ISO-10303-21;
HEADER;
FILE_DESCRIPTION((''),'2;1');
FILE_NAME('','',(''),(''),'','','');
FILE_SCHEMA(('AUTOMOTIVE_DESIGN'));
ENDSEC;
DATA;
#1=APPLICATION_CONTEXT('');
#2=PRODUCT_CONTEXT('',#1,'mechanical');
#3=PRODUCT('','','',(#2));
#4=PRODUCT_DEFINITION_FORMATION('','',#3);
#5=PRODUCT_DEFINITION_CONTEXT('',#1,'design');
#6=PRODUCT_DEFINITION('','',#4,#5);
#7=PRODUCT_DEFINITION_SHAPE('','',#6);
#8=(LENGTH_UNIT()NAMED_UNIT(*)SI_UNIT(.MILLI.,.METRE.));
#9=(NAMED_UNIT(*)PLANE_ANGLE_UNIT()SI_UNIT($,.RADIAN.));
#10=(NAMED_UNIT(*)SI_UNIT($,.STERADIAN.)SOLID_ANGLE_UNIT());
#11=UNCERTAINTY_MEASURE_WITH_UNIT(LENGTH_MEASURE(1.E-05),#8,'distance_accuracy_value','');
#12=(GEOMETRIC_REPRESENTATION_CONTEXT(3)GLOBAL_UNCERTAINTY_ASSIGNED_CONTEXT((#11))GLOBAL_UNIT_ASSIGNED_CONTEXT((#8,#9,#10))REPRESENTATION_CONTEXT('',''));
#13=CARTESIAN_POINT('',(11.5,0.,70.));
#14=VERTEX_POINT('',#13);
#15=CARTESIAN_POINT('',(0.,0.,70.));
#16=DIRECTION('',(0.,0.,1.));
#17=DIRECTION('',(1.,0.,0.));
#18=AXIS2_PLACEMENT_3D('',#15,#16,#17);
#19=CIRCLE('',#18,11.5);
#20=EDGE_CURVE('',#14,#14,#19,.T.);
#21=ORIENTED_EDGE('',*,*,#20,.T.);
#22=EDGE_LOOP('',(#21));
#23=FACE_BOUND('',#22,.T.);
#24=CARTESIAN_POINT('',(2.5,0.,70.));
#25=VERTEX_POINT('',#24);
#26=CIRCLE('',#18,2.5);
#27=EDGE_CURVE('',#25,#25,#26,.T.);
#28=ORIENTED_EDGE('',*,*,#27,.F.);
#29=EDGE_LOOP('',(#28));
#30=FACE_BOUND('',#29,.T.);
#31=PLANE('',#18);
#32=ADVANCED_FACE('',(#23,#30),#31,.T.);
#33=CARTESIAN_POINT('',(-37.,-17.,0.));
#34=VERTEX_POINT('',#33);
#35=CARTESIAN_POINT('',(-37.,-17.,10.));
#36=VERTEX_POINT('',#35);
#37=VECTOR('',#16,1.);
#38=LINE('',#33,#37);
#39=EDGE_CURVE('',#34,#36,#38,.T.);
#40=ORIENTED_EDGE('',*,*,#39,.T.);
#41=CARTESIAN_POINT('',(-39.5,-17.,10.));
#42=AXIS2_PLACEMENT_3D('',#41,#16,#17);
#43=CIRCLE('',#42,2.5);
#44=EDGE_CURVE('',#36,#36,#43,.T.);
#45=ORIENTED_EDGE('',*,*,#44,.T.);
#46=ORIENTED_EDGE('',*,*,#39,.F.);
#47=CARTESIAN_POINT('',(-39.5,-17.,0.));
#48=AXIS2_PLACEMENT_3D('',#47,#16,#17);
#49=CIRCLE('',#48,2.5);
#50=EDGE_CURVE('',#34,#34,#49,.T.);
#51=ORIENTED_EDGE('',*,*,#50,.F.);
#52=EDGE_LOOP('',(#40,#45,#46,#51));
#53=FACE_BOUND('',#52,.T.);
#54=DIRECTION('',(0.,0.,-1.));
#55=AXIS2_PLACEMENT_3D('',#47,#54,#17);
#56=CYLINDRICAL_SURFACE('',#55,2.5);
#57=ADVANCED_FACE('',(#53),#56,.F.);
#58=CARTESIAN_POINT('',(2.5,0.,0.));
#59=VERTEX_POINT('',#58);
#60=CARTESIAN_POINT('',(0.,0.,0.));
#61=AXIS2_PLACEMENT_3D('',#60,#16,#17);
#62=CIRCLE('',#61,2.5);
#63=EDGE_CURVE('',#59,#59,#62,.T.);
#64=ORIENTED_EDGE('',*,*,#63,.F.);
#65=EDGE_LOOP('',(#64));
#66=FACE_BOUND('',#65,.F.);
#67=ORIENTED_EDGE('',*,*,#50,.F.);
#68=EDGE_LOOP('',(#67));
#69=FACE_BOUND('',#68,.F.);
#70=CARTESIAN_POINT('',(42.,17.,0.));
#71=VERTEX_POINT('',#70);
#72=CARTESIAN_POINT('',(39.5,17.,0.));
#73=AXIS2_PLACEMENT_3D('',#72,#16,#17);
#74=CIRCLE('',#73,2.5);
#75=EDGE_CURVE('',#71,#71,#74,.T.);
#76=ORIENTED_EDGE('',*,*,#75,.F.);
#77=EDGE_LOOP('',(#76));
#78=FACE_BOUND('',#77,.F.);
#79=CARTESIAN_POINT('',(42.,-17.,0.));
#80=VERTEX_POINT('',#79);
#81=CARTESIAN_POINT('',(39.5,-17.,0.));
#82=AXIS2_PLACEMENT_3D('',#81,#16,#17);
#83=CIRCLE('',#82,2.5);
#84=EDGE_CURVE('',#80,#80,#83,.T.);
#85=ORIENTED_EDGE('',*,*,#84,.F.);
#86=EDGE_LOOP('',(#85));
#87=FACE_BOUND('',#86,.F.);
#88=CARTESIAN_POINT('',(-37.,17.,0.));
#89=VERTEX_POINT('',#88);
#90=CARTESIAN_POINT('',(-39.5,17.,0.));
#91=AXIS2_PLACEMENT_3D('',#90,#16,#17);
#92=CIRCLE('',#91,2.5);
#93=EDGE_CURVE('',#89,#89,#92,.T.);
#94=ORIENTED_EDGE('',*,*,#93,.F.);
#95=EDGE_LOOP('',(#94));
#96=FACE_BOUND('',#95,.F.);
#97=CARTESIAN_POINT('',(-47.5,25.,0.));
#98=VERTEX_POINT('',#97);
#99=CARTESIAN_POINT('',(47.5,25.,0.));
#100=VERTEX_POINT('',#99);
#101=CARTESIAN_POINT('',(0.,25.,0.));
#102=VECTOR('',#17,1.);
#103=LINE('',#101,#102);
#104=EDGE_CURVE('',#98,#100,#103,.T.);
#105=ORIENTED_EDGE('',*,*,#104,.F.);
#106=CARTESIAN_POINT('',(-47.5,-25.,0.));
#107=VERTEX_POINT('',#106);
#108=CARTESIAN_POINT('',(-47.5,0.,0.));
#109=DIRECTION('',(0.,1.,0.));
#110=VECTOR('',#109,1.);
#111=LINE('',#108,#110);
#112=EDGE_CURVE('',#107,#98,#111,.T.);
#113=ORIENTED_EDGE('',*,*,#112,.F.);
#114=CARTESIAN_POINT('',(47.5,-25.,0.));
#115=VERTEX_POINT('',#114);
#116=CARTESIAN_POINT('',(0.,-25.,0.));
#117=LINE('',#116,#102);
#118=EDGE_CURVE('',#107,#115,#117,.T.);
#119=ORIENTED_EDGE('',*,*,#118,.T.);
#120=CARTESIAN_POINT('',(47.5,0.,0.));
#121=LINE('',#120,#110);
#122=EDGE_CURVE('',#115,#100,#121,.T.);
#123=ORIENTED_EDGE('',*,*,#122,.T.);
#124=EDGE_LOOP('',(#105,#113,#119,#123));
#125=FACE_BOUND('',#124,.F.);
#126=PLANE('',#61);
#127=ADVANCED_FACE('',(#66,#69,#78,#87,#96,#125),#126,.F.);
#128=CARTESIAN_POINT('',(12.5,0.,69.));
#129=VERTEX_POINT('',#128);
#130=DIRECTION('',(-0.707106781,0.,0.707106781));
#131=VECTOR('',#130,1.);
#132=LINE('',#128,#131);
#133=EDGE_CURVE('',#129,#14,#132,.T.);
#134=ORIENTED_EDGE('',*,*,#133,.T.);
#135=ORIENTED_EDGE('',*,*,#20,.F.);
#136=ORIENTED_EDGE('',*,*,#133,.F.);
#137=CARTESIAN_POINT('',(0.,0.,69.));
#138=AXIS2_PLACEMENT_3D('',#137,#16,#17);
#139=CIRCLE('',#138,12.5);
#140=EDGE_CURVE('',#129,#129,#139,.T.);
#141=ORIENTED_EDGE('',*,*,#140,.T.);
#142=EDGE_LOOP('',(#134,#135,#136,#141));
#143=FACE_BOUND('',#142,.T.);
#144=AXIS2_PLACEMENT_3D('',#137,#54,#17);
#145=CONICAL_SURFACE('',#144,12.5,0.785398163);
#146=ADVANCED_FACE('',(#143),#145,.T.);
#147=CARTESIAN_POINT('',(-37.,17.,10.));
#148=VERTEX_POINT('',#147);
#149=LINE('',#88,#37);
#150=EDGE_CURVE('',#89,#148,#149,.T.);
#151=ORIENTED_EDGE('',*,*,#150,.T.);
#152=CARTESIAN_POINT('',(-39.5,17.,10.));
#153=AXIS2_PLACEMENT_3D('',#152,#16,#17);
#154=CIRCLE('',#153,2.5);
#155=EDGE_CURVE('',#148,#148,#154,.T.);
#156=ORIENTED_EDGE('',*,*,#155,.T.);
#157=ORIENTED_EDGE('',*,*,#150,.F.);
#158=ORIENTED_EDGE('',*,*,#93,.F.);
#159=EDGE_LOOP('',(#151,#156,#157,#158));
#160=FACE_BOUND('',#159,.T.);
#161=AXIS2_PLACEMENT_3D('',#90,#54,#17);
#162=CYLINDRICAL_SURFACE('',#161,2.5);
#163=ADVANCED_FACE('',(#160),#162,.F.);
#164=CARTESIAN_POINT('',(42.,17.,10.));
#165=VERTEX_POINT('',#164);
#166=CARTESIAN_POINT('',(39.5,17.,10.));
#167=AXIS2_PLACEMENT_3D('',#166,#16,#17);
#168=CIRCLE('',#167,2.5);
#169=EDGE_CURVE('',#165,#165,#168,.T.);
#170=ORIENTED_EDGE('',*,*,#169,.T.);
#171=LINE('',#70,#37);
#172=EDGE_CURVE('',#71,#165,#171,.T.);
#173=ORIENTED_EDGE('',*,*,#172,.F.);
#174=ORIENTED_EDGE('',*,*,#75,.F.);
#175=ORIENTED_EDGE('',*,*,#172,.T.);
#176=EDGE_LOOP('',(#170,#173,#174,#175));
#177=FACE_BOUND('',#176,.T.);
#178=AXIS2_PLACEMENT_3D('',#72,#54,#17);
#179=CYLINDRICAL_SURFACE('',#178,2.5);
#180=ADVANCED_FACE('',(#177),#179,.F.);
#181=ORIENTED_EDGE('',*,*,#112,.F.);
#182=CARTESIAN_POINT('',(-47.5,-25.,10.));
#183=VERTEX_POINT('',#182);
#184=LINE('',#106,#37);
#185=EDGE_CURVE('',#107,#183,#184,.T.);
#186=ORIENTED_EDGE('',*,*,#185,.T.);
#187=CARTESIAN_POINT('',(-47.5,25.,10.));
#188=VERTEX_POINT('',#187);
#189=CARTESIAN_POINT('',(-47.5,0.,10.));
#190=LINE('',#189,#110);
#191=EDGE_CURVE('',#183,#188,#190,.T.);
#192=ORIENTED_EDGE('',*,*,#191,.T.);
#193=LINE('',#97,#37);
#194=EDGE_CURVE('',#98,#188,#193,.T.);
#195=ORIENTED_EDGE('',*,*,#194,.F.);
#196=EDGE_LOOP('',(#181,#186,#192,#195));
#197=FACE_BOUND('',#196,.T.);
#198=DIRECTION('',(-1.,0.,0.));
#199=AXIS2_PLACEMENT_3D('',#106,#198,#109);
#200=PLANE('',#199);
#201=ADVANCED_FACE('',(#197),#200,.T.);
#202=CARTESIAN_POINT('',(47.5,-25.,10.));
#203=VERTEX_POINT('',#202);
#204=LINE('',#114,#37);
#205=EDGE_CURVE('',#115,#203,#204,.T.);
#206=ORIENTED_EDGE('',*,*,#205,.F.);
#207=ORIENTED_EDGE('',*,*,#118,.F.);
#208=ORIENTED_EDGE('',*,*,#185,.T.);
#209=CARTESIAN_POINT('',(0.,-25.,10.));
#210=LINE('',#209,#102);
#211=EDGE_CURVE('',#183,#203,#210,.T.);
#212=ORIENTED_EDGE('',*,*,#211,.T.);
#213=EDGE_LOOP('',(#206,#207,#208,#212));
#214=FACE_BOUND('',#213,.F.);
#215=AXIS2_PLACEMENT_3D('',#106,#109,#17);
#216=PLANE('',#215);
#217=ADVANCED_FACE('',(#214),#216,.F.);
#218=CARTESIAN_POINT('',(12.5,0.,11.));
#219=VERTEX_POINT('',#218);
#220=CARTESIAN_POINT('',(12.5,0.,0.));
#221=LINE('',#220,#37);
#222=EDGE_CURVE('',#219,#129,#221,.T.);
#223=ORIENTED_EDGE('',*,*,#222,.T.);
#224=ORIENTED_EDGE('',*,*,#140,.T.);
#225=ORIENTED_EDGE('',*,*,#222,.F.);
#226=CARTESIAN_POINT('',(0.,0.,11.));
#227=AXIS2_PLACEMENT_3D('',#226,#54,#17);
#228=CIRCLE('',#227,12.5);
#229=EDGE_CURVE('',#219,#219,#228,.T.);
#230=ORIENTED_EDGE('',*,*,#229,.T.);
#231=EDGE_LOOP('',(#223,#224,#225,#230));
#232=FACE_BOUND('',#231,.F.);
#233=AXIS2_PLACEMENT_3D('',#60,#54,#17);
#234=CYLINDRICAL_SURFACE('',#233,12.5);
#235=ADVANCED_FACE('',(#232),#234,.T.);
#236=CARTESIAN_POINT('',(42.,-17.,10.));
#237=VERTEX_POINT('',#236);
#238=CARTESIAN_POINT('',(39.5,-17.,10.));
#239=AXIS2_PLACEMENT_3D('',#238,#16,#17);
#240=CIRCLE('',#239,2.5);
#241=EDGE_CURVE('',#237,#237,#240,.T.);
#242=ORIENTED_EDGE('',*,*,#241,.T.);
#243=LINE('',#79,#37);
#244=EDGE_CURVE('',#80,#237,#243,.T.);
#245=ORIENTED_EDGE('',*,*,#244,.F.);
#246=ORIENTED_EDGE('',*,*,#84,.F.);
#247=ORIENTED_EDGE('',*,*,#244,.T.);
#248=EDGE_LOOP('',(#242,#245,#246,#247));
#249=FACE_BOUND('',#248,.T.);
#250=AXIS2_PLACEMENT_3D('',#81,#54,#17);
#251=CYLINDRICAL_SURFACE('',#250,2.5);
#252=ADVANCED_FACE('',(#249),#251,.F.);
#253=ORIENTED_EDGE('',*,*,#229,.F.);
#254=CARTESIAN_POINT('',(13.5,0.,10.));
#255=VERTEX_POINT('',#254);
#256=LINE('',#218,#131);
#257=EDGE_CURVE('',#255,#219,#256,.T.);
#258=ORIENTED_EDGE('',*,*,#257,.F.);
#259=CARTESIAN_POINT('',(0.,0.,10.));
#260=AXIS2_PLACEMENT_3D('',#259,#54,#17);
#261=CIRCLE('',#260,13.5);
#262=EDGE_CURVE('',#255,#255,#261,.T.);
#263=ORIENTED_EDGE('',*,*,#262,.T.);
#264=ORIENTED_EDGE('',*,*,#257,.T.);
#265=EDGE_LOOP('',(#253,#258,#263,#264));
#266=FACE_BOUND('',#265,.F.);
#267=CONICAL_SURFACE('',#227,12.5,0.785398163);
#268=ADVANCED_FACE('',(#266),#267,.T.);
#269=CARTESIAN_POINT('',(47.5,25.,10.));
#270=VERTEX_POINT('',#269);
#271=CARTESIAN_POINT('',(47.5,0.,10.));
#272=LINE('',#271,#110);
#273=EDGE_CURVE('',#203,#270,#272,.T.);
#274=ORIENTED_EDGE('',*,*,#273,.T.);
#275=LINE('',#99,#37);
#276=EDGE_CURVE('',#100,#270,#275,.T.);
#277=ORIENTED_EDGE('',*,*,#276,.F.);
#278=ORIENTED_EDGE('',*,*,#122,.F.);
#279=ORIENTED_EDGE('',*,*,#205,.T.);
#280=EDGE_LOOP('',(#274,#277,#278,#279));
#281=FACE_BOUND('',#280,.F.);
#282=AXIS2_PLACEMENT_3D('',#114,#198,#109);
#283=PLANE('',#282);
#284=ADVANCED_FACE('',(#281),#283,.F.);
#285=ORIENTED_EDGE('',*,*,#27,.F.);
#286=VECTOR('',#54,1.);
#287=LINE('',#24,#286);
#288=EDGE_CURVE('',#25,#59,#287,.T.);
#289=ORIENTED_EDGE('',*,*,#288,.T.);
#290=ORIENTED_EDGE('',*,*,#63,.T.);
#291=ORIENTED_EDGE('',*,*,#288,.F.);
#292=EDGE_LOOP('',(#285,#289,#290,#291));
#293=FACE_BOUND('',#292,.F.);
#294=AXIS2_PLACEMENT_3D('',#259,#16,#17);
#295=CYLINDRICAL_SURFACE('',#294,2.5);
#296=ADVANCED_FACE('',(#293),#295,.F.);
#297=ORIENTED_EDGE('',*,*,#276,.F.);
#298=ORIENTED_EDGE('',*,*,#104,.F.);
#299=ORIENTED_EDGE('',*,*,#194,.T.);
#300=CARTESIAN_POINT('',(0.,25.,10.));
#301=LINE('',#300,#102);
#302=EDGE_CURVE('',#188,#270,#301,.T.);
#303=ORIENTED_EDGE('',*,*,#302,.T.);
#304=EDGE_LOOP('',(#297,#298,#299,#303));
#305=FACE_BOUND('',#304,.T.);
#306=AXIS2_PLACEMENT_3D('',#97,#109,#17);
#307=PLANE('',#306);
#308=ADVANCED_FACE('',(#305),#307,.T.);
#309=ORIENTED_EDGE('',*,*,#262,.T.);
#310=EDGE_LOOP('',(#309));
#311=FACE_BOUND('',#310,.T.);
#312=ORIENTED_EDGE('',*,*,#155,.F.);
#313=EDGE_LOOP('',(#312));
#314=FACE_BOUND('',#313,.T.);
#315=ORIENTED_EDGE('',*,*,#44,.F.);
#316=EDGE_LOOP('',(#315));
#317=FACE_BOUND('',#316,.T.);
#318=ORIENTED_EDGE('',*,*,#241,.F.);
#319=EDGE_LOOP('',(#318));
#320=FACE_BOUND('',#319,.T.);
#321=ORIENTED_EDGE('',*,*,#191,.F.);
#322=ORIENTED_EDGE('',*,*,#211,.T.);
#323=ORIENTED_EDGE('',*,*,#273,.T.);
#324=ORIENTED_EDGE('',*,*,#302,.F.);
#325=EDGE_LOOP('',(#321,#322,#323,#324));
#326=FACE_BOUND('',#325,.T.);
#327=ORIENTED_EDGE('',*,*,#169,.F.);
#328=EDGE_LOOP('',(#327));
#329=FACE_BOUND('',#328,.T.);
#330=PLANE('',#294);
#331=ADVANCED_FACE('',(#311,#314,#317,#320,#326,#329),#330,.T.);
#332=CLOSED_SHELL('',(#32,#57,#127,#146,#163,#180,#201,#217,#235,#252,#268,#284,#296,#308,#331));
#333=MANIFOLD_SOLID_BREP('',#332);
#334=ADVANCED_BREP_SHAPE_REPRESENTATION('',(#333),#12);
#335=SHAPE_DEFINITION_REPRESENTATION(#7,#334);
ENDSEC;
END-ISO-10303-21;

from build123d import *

# Parameters (mm, degrees)
F0_W      = 95
F0_H      = 50
F0_R      = 2.5
F1_DEPTH  = 10
F2_R      = 12.5
F2_R_2    = 2.5
F3_DEPTH  = 70
F3_FACE_R = 2.5
F4_DEPTH  = 100
F5_SIZE   = 1


with BuildPart() as f1:
    # F0 (on Top) → F1 (new body)
    with BuildSketch(Plane.XY):
        Rectangle(F0_W, F0_H)
        with Locations((-39.5, -17)):
            Circle(F0_R, mode=Mode.SUBTRACT)
        with Locations((39.5, -17)):
            Circle(F0_R, mode=Mode.SUBTRACT)
        with Locations((-39.5, 17)):
            Circle(F0_R, mode=Mode.SUBTRACT)
        with Locations((39.5, 17)):
            Circle(F0_R, mode=Mode.SUBTRACT)
    extrude(amount=F1_DEPTH)

    # F2 (on Top) → F3 (join)
    with BuildSketch(Plane.XY):
        Circle(F2_R)
        Circle(F2_R_2, mode=Mode.SUBTRACT)
    extrude(amount=F3_DEPTH)

    # F3_face (on face) → F4 (cut)
    with BuildSketch(Plane.XY.offset(10)):
        Circle(F3_FACE_R)
    extrude(amount=-F4_DEPTH, mode=Mode.SUBTRACT)

    # F5
    f5_edges = [f1.edges().sort_by_distance(p)[0] for p in [
        (-12.5, 0, 70),
        (-12.5, 0, 10),
    ]]
    chamfer(f5_edges, length=F5_SIZE)


solid = f1.part
